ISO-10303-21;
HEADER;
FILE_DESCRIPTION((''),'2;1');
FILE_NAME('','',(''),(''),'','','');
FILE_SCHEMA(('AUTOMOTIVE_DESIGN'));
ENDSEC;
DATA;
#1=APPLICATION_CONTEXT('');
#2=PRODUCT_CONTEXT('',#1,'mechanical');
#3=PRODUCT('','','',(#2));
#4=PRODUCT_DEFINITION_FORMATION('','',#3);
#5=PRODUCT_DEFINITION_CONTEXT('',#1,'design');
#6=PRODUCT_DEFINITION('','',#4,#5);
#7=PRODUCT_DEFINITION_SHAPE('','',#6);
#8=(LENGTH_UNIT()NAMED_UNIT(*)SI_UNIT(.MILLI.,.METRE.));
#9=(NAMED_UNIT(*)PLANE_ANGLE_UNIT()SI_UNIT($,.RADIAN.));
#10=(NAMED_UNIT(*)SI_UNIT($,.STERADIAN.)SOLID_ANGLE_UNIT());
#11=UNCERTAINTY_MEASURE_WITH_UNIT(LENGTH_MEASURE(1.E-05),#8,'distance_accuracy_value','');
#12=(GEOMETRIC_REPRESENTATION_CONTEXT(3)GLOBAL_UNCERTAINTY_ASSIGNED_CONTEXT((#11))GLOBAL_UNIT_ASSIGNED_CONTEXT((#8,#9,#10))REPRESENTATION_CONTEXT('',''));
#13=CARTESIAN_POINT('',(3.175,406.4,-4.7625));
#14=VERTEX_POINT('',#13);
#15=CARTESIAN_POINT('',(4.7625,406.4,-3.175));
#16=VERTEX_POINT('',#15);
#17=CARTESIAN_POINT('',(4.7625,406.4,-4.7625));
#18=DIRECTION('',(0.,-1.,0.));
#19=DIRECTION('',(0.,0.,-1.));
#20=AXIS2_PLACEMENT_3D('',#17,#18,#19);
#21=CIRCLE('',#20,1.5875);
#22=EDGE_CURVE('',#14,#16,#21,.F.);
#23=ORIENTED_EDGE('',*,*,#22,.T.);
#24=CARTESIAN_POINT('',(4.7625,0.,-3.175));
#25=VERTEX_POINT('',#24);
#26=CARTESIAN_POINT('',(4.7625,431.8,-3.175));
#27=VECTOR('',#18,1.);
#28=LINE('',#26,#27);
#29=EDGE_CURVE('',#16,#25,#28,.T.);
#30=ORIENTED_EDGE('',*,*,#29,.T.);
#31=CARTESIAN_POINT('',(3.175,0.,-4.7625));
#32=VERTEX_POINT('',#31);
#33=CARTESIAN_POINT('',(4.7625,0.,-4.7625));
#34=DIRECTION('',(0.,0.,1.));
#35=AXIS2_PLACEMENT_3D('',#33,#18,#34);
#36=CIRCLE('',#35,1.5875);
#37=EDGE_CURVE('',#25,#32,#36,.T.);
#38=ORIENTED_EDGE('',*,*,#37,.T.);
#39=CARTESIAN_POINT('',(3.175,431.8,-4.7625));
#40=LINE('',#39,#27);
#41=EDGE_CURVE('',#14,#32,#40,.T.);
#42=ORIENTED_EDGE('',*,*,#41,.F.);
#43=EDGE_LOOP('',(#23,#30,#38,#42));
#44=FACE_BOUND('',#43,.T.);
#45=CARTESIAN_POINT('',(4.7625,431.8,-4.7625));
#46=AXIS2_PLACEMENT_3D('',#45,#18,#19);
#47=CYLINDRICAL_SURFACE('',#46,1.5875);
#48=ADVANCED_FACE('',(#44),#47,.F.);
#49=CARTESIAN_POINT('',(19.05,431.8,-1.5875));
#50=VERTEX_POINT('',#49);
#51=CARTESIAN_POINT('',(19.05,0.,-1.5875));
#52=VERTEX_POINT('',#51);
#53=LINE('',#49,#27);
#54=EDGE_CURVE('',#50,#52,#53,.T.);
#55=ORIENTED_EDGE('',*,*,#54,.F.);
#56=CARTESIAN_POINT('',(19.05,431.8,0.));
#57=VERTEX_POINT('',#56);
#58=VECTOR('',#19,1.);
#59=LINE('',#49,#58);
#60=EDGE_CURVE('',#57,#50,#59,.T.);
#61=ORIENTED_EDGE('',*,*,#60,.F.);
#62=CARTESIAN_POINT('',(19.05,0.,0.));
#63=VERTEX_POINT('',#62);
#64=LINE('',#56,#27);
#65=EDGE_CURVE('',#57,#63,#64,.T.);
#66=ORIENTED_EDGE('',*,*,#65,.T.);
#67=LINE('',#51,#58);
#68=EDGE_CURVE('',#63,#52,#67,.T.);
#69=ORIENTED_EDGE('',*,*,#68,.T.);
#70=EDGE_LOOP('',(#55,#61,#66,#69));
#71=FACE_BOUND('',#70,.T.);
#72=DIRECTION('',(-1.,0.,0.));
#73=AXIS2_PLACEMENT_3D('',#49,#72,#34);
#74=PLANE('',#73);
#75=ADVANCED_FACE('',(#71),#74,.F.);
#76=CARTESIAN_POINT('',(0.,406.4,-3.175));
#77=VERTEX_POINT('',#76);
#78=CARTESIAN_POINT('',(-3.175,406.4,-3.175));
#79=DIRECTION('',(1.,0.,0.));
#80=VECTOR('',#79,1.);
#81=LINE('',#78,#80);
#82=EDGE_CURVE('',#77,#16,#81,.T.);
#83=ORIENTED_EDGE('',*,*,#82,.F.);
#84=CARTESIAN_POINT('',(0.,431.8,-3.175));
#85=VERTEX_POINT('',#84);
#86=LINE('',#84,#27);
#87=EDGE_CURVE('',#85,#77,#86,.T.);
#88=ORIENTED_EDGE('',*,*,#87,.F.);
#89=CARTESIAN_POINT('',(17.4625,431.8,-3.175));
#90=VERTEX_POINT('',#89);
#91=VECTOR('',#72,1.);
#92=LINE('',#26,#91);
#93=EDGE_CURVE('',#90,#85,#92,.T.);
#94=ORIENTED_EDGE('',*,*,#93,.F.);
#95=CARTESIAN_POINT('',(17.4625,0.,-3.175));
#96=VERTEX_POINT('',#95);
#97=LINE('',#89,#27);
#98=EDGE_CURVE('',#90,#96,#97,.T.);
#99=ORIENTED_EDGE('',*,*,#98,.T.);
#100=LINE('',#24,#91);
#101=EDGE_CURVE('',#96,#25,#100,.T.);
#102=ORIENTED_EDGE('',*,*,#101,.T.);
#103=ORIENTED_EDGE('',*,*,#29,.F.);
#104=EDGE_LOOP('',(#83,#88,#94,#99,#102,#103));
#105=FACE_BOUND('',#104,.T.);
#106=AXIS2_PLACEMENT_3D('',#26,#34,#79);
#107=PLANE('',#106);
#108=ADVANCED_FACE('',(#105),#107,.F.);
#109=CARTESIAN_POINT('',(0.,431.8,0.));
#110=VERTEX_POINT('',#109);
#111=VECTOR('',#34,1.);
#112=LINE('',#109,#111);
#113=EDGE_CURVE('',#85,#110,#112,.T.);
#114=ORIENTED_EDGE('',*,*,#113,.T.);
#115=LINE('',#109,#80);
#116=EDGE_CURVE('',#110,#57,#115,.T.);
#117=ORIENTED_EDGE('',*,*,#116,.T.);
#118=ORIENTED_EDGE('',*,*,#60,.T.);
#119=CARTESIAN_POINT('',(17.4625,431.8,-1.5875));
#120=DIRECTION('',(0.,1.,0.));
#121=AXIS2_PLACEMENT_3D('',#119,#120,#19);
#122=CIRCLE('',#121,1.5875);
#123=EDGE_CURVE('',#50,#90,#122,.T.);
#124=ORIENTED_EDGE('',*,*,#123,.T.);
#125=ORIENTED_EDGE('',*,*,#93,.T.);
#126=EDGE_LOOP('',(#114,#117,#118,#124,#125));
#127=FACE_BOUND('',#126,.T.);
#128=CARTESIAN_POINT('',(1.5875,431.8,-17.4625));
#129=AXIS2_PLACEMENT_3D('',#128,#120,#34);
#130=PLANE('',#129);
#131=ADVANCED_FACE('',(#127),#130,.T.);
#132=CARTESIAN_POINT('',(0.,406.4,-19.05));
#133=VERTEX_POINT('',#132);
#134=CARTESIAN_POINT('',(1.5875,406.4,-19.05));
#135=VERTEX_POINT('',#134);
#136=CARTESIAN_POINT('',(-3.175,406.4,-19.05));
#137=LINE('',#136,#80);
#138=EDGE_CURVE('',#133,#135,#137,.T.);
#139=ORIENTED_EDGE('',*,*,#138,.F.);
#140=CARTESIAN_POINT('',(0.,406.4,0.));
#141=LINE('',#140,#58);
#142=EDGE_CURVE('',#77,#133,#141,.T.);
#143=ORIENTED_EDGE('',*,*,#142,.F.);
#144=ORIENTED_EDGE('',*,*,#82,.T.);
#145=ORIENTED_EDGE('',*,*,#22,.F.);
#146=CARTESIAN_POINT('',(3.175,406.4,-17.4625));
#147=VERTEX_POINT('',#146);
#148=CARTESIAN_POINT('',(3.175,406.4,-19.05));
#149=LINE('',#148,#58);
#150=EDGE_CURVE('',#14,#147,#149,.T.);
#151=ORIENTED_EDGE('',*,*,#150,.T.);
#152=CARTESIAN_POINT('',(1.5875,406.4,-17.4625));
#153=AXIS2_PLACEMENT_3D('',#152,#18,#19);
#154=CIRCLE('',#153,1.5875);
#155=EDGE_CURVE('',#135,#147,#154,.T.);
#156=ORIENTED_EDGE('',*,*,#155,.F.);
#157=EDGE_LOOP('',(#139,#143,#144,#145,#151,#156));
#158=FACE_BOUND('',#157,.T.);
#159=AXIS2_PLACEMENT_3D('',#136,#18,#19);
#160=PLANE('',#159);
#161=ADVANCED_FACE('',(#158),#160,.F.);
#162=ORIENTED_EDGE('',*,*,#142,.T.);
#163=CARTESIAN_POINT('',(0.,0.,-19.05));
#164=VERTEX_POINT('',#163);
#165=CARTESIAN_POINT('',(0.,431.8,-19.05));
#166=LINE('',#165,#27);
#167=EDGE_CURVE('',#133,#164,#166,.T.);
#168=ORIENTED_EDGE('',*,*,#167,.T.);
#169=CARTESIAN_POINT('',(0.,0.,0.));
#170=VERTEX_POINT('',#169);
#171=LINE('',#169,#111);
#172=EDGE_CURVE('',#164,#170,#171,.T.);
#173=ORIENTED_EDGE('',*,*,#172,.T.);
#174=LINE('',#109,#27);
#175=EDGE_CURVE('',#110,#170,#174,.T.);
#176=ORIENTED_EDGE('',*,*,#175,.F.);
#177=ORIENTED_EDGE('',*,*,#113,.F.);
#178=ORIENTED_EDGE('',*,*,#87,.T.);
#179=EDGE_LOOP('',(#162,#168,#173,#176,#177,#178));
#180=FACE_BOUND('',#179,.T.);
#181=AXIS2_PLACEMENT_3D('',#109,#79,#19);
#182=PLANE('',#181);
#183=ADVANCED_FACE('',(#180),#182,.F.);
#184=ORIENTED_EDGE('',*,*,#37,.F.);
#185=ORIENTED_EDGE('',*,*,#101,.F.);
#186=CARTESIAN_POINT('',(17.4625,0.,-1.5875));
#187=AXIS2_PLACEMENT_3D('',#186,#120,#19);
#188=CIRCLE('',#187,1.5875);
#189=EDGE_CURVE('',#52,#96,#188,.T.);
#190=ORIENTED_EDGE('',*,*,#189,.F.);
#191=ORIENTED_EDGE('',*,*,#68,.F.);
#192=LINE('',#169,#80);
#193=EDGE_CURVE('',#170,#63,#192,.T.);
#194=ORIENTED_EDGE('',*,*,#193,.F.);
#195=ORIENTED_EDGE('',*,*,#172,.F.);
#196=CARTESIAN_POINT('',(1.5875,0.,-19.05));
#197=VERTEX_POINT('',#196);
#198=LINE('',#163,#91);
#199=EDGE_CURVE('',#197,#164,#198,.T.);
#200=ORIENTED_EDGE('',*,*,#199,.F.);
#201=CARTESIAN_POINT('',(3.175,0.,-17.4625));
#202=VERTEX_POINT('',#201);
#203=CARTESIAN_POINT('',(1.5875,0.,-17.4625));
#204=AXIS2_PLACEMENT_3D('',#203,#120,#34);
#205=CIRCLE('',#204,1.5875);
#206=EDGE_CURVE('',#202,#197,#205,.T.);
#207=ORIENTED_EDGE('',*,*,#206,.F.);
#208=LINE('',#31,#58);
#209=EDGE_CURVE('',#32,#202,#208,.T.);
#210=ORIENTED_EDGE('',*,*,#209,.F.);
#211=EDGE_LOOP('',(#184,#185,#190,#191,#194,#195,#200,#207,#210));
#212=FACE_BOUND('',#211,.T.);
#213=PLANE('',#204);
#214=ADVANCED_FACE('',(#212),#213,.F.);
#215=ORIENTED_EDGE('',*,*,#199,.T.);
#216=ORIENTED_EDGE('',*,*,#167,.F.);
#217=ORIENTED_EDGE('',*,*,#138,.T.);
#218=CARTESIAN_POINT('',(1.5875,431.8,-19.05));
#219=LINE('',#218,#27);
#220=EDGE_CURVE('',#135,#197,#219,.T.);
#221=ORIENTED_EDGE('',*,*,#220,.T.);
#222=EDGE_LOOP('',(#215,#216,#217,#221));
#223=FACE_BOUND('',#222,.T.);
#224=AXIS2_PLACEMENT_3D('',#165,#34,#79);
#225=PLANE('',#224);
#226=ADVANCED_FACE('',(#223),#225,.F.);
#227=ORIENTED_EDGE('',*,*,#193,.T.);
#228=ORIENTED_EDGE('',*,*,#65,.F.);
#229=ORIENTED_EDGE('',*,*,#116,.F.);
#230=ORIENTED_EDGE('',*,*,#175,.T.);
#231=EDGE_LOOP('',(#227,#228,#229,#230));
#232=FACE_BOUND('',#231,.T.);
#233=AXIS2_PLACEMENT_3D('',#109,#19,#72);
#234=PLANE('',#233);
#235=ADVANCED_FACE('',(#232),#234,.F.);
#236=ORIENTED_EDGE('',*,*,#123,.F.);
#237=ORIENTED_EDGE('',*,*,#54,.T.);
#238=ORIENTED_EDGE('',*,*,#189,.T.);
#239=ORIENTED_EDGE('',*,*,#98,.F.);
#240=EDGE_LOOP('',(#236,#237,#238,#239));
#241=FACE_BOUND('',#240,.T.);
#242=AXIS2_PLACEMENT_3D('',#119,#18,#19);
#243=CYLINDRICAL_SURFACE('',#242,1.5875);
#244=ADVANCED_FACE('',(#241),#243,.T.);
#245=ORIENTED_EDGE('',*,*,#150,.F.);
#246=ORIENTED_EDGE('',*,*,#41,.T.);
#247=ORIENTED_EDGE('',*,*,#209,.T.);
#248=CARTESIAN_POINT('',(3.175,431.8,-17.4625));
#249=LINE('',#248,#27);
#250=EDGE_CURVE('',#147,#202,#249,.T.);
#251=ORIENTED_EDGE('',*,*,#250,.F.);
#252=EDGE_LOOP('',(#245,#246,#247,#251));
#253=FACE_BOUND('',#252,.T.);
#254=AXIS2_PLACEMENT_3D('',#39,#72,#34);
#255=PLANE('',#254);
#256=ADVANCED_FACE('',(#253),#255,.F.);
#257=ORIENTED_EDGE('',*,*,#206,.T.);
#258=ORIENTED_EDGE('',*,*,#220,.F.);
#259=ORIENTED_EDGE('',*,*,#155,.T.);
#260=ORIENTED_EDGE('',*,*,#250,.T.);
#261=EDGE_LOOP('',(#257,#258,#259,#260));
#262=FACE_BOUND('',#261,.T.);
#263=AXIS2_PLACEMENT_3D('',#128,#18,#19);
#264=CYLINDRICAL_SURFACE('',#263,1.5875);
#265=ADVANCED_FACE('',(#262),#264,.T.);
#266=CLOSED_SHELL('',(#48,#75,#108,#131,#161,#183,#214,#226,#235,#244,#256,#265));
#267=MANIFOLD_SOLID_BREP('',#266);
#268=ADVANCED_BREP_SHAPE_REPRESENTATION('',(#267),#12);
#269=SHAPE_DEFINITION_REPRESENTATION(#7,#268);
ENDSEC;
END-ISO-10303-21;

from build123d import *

# Parameters (mm, degrees)
BOSS_EXTRUDE1_DEPTH = 431.8
SKETCH4_W           = 15.875
SKETCH4_H           = 25.4
CUT_EXTRUDE1_DEPTH  = 6.35
SKETCH5_W           = 1.5875
SKETCH5_H           = 25.4
CUT_EXTRUDE2_DEPTH  = 6.35


with BuildPart() as part:
    # Sketch2 → Boss-Extrude1 (new body)
    with BuildSketch(Plane(origin=(0, 0, 0), x_dir=(1, 0, 0), z_dir=(0, 1, 0))):
        with BuildLine():
            Line((0, 0), (19.05, 0))
            Line((19.05, 0), (19.05, 1.5875))
            ThreePointArc((19.05, 1.5875), (18.585032015, 2.710032015), (17.4625, 3.175))
            Line((17.4625, 3.175), (4.7625, 3.175))
            ThreePointArc((4.7625, 3.175), (3.639967985, 3.639967985), (3.175, 4.7625))
            Line((3.175, 4.7625), (3.175, 17.4625))
            ThreePointArc((3.175, 17.4625), (2.710032015, 18.585032015), (1.5875, 19.05))
            Line((1.5875, 19.05), (0, 19.05))
            Line((0, 19.05), (0, 0))
        make_face()
    extrude(amount=BOSS_EXTRUDE1_DEPTH)

    # Sketch4 → Cut-Extrude1 (cut)
    with BuildSketch(Plane(origin=(3.175, 0, 0), x_dir=(0, 0, -1), z_dir=(1, 0, 0))):
        with Locations((11.1125, 419.1)):
            Rectangle(SKETCH4_W, SKETCH4_H)
    extrude(amount=-CUT_EXTRUDE1_DEPTH, mode=Mode.SUBTRACT)

    # Sketch5 → Cut-Extrude2 (cut)
    with BuildSketch(Plane.ZY.offset(-3.175)):
        with Locations((-3.96875, 419.1)):
            Rectangle(SKETCH5_W, SKETCH5_H)
    extrude(amount=-CUT_EXTRUDE2_DEPTH, mode=Mode.SUBTRACT)


solid = part.part
